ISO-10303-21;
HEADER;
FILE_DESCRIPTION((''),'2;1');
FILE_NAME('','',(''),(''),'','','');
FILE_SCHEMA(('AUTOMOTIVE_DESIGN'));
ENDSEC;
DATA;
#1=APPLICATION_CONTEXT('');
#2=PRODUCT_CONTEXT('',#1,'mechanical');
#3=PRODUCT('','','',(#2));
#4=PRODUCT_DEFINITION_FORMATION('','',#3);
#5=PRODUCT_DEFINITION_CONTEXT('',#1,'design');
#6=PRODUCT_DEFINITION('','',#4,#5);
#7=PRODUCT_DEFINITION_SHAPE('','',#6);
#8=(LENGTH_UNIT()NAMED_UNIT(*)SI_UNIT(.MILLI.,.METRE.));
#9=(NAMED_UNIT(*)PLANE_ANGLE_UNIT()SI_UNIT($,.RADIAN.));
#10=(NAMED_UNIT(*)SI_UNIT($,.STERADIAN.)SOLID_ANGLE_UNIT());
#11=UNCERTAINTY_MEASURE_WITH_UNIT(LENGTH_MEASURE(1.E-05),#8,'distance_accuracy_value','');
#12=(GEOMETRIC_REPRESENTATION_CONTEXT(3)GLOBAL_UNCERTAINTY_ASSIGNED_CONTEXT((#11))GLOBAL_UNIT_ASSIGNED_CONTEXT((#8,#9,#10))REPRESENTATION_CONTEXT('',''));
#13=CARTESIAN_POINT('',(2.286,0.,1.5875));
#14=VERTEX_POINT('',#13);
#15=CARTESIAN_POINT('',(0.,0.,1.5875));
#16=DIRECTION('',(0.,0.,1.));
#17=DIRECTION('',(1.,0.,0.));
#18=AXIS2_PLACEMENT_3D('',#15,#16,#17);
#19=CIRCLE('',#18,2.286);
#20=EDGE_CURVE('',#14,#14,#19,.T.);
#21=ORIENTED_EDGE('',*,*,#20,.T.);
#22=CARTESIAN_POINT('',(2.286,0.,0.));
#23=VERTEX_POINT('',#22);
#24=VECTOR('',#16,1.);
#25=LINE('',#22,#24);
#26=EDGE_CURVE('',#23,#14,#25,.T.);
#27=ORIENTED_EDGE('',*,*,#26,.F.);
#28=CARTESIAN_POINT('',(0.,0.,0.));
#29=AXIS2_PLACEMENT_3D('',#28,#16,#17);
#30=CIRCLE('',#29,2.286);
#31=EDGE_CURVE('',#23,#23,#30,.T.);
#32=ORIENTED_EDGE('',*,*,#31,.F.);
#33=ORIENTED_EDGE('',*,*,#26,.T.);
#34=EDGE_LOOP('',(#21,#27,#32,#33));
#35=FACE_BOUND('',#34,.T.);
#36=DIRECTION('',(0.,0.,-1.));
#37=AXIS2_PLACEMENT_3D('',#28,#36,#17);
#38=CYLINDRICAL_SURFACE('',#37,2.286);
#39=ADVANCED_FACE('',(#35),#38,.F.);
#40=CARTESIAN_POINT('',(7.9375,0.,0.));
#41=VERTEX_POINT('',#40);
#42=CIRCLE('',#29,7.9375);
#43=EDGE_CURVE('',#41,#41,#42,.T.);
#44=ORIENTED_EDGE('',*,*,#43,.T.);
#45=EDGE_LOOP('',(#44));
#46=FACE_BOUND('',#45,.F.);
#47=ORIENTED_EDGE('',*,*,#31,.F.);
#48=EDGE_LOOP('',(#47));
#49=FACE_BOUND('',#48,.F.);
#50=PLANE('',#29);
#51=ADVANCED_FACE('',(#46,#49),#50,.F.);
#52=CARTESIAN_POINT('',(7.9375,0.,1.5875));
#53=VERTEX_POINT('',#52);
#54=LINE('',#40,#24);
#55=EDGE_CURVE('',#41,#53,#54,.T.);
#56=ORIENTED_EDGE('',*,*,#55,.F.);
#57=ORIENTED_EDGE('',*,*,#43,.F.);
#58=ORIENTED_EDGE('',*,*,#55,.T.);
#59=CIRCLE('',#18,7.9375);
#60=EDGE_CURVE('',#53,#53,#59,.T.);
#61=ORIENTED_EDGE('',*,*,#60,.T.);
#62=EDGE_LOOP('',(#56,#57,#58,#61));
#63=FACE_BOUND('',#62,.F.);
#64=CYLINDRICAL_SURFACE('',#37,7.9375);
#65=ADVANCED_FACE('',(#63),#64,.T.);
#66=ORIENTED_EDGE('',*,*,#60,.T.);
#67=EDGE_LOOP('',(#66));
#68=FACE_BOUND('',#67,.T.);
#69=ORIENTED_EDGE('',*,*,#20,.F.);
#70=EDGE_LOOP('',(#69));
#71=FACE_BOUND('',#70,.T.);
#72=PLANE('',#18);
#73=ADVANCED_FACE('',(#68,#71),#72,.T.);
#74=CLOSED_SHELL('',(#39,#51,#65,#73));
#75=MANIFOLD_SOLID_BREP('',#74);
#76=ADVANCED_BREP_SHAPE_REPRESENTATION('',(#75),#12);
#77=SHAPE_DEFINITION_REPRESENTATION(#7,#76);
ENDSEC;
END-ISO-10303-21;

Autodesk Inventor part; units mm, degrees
ref_plane "YZ Plane" through (0, 0, 0) normal (1, 0, 0) x (0, 1, 0)
ref_plane "XZ Plane" through (0, 0, 0) normal (0, 1, 0) x (-1, 0, 0)
ref_plane "XY Plane" through (0, 0, 0) normal (0, 0, 1) x (1, 0, 0)
sketch "Sketch1" plane through (0, 0, 0) normal (0, 0, 1) x (1, 0, 0)
  circle A0 centre (0, 0) radius 7.9375
  circle A1 centre (0, 0) radius 2.286
  dimension "d0" = 4.572
  dimension "d1" = 15.875
extrude "Extrusion1" add sketch "Sketch1" along normal blind 1.5875
properties part number "washer"
